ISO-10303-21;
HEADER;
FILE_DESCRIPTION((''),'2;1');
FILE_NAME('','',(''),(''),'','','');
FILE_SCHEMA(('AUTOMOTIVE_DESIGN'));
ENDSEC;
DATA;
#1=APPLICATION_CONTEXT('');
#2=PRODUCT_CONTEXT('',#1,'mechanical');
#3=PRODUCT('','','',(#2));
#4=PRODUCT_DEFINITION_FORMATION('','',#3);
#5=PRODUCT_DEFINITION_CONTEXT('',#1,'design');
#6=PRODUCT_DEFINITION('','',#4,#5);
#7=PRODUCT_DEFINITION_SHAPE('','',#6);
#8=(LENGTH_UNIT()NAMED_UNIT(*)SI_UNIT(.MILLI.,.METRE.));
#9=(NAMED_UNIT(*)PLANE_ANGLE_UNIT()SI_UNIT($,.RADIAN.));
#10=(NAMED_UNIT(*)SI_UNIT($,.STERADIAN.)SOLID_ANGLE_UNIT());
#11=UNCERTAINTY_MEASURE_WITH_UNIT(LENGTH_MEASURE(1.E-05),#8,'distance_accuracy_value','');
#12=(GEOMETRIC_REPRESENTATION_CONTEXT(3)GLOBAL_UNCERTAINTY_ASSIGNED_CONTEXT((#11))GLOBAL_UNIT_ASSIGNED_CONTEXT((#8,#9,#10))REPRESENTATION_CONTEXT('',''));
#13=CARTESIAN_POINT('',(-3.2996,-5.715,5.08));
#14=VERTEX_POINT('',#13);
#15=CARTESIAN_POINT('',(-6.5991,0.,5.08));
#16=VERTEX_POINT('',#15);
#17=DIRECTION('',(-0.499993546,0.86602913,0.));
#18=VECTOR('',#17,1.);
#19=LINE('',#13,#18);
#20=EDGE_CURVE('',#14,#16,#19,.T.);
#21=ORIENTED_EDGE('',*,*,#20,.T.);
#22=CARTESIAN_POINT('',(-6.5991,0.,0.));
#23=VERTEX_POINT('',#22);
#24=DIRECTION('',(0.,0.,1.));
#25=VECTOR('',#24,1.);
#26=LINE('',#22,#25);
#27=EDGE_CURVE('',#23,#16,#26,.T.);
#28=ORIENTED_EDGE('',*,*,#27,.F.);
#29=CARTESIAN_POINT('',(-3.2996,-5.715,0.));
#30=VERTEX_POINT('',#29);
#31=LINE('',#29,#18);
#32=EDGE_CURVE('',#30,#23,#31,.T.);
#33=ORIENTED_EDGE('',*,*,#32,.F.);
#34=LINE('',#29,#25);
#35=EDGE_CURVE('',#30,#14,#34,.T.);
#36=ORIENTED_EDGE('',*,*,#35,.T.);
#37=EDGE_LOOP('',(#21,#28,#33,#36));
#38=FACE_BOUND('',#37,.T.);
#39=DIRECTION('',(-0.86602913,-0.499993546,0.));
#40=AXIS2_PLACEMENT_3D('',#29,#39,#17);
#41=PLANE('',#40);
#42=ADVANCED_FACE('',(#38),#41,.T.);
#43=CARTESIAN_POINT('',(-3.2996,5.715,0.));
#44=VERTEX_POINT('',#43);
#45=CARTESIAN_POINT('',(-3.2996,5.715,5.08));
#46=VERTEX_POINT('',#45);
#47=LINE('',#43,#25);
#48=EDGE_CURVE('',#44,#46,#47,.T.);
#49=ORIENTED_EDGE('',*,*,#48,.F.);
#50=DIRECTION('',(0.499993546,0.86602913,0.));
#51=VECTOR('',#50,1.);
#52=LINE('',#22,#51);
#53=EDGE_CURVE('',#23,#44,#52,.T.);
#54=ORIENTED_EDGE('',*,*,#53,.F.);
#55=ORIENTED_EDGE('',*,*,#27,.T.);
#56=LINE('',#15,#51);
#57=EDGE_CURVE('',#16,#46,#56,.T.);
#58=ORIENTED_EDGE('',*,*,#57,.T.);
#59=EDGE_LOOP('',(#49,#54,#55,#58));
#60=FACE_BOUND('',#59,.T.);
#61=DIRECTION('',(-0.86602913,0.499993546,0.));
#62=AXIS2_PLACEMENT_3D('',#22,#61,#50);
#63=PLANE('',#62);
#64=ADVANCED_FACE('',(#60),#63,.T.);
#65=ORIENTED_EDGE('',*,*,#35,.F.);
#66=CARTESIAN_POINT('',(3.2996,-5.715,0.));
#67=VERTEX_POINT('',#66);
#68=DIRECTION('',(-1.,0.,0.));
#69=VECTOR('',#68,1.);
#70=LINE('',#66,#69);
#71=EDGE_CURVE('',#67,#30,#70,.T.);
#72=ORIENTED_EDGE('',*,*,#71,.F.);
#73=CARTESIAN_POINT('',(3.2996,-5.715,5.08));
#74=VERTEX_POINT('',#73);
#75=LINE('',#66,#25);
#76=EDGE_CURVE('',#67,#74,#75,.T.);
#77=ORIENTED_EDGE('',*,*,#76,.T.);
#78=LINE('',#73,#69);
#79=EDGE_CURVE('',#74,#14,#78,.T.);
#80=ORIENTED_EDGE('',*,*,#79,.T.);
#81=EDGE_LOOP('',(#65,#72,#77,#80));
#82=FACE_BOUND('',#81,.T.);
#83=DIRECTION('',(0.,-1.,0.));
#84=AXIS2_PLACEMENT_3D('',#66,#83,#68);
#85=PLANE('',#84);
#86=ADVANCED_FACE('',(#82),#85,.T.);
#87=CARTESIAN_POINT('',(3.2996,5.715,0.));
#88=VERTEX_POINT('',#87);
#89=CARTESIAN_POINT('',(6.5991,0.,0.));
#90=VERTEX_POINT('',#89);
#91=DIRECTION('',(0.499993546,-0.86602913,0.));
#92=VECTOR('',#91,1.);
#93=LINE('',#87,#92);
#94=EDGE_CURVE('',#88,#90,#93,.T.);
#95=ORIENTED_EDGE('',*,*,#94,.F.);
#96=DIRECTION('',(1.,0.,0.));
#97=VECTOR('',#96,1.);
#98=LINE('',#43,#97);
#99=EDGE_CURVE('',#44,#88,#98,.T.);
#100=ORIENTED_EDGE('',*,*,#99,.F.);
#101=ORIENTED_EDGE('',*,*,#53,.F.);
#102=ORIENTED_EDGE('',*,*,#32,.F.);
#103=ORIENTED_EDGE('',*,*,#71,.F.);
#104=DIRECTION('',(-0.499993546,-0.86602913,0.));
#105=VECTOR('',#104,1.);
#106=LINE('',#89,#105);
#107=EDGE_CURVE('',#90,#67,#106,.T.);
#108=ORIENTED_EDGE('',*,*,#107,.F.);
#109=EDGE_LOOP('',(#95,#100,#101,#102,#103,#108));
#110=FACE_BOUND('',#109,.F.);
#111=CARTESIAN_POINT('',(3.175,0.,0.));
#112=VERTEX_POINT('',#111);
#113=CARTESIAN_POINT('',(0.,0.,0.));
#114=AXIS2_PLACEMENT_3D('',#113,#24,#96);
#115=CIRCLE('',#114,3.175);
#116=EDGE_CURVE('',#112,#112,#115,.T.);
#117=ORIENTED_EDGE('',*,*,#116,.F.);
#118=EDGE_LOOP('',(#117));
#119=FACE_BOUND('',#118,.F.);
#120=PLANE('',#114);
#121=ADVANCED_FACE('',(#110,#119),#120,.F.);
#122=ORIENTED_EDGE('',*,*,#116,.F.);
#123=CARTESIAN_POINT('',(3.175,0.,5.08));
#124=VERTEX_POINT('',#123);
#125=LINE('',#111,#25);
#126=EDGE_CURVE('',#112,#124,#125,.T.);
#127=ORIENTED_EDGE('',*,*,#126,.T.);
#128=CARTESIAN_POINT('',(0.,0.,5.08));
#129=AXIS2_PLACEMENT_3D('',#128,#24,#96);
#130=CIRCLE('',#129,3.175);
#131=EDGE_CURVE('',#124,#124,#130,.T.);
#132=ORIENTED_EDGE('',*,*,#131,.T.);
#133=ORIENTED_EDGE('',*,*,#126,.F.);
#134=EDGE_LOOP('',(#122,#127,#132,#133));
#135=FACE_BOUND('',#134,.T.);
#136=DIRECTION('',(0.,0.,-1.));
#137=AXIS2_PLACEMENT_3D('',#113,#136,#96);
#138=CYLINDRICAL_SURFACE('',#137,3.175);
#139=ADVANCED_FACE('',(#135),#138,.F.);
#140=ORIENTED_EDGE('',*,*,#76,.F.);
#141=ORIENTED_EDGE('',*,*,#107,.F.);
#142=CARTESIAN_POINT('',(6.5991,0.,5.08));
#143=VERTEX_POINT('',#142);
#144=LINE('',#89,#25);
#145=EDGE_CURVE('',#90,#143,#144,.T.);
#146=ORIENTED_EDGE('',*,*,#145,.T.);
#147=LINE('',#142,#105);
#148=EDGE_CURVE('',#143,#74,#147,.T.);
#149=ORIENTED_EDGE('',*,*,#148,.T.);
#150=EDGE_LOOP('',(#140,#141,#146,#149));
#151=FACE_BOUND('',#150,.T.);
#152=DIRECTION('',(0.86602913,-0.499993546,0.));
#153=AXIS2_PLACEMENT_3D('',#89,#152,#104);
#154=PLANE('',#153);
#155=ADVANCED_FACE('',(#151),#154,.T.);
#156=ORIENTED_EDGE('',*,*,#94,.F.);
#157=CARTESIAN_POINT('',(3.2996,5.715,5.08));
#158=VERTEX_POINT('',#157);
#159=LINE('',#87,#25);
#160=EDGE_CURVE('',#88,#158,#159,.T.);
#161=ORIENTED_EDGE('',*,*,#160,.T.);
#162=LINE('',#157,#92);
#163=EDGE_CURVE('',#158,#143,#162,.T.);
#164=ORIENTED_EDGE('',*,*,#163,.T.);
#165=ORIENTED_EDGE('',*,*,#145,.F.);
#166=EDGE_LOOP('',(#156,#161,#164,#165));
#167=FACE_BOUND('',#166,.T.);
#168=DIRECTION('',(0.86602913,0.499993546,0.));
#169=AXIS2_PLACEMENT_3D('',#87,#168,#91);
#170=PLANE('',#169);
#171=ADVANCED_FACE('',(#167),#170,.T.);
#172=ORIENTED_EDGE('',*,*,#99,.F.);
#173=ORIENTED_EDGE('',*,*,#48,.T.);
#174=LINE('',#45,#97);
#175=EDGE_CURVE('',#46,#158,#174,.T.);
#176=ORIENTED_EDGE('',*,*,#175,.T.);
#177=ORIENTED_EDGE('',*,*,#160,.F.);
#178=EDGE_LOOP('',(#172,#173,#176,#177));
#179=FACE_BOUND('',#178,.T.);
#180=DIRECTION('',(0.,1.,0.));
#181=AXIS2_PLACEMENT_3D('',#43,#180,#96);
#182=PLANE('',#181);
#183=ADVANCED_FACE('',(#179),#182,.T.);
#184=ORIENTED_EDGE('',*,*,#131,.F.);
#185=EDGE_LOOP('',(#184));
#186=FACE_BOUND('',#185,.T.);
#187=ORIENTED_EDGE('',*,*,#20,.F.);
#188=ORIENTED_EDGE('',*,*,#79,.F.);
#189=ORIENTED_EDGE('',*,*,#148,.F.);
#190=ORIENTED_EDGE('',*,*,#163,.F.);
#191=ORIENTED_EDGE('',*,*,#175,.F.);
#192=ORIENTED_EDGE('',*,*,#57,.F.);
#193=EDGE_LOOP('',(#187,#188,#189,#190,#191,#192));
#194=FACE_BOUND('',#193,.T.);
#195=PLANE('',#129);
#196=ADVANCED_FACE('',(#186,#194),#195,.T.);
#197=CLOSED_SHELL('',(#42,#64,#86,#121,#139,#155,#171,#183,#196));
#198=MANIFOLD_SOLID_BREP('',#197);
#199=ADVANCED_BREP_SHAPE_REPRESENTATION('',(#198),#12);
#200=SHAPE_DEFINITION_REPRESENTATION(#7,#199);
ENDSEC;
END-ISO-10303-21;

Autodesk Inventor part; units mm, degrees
ref_plane "YZ Plane" through (0, 0, 0) normal (1, 0, 0) x (0, 1, 0)
ref_plane "XZ Plane" through (0, 0, 0) normal (0, 1, 0) x (-1, 0, 0)
ref_plane "XY Plane" through (0, 0, 0) normal (0, 0, 1) x (1, 0, 0)
sketch "Sketch1" plane through (0, 0, 0) normal (0, 0, 1) x (1, 0, 0)
  line L0 (3.2996, 5.715) -> (6.5991, 0)
  line L1 (6.5991, 0) -> (3.2996, -5.715)
  line L2 (3.2996, -5.715) -> (-3.2996, -5.715)
  line L3 (-3.2996, -5.715) -> (-6.5991, 0)
  line L4 (-6.5991, 0) -> (-3.2996, 5.715)
  line L5 (-3.2996, 5.715) -> (3.2996, 5.715)
  line L6 (0, 0) -> (0.811, 0)
  circle A0 centre (0, 0) radius 3.175
  dimension "d0" = 11.43
  dimension "d1" = 6.35
extrude "Extrusion1" add sketch "Sketch1" along normal blind 5.08
properties part number "RobotArm Nut"
